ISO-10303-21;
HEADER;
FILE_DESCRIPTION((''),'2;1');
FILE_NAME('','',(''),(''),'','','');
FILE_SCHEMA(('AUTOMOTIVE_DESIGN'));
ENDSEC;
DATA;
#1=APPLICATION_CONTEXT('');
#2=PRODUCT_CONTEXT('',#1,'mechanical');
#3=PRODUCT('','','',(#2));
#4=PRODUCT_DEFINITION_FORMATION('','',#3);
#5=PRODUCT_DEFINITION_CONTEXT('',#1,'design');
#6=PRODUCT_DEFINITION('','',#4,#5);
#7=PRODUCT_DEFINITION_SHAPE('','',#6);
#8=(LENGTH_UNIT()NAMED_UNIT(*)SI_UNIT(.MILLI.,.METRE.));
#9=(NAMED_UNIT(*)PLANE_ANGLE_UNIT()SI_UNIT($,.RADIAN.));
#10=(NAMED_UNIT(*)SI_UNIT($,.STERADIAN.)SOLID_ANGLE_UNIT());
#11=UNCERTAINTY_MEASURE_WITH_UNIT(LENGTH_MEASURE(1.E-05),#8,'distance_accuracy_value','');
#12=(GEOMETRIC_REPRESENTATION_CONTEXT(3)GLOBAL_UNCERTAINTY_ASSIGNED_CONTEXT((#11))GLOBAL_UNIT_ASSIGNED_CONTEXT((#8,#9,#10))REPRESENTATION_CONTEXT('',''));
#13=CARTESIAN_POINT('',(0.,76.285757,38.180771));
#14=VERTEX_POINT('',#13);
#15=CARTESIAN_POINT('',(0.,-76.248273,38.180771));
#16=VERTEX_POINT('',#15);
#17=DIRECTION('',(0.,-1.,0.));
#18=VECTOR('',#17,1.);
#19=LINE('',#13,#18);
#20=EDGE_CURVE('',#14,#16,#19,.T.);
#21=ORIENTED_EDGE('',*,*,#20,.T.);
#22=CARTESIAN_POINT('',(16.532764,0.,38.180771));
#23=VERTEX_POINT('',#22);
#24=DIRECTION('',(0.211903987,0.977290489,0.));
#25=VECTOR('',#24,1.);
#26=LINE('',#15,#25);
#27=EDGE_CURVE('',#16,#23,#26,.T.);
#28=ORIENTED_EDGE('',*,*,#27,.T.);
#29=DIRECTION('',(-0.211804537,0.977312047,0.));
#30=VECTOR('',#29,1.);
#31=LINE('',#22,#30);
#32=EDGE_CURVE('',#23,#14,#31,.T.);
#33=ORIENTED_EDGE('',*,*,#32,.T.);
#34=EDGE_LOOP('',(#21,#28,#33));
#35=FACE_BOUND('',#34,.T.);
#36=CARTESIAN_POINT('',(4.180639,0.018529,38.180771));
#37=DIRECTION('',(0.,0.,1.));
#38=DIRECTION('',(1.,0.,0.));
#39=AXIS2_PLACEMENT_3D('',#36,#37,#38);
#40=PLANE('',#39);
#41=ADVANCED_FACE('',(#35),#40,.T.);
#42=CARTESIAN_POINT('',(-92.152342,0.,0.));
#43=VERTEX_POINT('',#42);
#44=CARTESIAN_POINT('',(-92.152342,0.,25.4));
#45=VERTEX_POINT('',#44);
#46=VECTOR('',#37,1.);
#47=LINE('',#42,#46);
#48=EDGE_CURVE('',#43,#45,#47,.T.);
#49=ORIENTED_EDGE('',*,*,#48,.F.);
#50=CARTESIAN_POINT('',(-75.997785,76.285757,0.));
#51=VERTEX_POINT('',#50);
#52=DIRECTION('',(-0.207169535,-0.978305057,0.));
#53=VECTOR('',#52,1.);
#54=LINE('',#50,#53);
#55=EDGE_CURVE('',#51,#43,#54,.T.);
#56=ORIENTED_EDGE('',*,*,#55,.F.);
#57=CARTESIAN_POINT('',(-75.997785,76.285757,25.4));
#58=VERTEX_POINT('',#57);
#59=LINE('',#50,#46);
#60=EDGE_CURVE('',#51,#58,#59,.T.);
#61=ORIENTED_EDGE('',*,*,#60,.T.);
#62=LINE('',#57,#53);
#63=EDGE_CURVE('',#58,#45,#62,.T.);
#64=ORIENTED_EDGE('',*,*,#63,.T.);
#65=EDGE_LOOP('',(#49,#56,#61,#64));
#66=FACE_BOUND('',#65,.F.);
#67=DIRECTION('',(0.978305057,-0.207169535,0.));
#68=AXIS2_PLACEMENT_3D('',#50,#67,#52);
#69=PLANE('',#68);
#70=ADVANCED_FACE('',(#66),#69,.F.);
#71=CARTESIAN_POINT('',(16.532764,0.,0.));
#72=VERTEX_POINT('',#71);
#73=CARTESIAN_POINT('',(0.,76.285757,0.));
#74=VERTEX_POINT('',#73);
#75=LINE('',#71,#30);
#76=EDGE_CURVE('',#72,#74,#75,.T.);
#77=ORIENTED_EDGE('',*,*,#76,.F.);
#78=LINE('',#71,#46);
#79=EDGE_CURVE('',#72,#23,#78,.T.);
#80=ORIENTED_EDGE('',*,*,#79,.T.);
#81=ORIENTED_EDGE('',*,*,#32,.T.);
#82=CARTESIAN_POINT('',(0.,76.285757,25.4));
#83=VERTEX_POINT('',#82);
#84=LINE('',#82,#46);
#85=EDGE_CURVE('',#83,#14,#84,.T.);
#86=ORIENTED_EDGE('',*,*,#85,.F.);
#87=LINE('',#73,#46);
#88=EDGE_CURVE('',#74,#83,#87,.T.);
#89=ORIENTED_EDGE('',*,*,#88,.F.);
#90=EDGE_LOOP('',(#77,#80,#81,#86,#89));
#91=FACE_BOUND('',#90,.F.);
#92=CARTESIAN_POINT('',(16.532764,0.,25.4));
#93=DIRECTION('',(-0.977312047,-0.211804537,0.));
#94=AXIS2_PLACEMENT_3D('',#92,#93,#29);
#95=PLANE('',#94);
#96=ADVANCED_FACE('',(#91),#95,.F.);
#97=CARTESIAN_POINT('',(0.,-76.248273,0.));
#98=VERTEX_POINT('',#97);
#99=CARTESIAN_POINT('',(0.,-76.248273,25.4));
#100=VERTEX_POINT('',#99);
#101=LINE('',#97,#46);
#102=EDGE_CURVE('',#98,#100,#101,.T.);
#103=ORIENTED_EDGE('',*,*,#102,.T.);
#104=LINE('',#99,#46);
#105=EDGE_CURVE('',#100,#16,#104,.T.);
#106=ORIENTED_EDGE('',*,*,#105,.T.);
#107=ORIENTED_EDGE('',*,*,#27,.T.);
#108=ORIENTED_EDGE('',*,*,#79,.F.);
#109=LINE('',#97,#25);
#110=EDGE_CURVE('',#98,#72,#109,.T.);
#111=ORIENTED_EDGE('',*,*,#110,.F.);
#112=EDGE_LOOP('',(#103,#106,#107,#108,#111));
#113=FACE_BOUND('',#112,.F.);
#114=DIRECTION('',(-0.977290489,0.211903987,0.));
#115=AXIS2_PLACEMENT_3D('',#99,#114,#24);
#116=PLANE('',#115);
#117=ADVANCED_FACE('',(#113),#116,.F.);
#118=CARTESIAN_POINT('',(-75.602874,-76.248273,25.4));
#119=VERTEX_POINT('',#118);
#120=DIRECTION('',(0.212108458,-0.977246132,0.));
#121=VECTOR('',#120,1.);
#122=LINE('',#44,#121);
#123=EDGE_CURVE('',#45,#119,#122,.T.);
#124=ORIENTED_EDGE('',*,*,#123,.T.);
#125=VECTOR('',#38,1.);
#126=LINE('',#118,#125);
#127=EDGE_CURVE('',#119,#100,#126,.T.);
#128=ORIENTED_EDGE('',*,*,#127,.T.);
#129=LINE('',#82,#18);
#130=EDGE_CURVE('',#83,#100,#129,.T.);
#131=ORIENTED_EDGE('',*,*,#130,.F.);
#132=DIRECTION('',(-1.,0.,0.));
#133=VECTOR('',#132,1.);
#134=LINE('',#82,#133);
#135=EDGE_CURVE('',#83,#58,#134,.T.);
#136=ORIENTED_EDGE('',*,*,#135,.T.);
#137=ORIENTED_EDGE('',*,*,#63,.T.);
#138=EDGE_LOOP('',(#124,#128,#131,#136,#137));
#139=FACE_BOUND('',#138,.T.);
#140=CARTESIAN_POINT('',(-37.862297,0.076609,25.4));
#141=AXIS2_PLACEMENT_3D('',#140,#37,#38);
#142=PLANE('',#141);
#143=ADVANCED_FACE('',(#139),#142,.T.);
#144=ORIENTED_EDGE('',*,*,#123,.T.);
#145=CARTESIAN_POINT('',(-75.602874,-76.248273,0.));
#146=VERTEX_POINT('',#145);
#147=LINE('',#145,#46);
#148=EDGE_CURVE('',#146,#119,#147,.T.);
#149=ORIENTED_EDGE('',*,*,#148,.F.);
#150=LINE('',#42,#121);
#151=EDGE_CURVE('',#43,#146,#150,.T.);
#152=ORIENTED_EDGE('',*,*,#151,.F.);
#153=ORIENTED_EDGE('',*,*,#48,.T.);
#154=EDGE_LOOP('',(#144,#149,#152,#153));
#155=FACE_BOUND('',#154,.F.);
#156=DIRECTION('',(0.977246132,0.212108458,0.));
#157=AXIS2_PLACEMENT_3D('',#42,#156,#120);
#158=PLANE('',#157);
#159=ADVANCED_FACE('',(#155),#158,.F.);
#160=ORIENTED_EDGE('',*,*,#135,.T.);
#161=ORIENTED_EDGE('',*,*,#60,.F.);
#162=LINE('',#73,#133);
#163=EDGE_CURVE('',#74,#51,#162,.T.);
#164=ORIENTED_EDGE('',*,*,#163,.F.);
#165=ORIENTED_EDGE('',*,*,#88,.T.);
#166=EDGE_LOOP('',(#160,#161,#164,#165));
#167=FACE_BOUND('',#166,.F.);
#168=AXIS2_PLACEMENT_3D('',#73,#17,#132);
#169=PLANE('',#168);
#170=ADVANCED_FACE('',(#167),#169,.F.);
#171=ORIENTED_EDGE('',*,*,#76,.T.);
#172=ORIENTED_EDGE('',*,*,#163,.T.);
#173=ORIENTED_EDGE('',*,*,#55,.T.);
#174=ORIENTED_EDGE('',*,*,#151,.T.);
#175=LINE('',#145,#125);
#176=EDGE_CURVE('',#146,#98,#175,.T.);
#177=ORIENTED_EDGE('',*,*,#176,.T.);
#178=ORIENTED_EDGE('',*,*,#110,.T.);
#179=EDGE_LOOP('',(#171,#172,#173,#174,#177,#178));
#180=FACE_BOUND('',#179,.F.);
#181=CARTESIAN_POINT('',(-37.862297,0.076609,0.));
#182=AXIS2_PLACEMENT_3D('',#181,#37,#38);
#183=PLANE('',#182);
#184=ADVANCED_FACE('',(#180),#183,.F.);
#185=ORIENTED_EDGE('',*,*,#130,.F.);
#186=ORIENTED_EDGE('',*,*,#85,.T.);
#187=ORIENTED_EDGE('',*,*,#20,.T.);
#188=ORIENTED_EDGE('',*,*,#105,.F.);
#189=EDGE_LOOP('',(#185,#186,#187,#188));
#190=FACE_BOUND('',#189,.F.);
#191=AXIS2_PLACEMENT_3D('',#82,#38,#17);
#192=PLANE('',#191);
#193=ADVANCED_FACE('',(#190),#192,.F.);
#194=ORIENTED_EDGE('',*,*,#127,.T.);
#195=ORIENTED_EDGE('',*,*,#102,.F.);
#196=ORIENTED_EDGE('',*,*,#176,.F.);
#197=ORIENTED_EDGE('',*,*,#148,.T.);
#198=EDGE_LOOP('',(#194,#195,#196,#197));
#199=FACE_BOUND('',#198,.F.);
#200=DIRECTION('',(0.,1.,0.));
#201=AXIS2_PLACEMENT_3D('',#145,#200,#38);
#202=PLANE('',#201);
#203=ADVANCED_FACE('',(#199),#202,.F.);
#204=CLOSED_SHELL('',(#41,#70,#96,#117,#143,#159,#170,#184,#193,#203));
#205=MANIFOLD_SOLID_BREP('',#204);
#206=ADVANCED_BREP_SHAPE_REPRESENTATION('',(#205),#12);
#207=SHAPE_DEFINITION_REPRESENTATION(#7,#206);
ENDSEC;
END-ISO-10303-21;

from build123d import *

# Parameters (mm, degrees)
F1_DEPTH = 25.4
F3_DEPTH = 12.780771


with BuildPart() as f1:
    # F0 (on Top) → F1 (new body)
    with BuildSketch(Plane.XY):
        Polygon((16.532764, 0), (0, 76.285757), (-75.997785, 76.285757), (-92.152342, 0), (-75.602874, -76.248273), (0, -76.248273), align=None)
    extrude(amount=F1_DEPTH)

    # F2 (on face) → F3 (join)
    with BuildSketch(Plane.XY.offset(25.4)):
        Polygon((0, 0), (0, -76.248273), (16.532764, 0), (0, 76.285757), align=None)
    extrude(amount=F3_DEPTH)


solid = f1.part
